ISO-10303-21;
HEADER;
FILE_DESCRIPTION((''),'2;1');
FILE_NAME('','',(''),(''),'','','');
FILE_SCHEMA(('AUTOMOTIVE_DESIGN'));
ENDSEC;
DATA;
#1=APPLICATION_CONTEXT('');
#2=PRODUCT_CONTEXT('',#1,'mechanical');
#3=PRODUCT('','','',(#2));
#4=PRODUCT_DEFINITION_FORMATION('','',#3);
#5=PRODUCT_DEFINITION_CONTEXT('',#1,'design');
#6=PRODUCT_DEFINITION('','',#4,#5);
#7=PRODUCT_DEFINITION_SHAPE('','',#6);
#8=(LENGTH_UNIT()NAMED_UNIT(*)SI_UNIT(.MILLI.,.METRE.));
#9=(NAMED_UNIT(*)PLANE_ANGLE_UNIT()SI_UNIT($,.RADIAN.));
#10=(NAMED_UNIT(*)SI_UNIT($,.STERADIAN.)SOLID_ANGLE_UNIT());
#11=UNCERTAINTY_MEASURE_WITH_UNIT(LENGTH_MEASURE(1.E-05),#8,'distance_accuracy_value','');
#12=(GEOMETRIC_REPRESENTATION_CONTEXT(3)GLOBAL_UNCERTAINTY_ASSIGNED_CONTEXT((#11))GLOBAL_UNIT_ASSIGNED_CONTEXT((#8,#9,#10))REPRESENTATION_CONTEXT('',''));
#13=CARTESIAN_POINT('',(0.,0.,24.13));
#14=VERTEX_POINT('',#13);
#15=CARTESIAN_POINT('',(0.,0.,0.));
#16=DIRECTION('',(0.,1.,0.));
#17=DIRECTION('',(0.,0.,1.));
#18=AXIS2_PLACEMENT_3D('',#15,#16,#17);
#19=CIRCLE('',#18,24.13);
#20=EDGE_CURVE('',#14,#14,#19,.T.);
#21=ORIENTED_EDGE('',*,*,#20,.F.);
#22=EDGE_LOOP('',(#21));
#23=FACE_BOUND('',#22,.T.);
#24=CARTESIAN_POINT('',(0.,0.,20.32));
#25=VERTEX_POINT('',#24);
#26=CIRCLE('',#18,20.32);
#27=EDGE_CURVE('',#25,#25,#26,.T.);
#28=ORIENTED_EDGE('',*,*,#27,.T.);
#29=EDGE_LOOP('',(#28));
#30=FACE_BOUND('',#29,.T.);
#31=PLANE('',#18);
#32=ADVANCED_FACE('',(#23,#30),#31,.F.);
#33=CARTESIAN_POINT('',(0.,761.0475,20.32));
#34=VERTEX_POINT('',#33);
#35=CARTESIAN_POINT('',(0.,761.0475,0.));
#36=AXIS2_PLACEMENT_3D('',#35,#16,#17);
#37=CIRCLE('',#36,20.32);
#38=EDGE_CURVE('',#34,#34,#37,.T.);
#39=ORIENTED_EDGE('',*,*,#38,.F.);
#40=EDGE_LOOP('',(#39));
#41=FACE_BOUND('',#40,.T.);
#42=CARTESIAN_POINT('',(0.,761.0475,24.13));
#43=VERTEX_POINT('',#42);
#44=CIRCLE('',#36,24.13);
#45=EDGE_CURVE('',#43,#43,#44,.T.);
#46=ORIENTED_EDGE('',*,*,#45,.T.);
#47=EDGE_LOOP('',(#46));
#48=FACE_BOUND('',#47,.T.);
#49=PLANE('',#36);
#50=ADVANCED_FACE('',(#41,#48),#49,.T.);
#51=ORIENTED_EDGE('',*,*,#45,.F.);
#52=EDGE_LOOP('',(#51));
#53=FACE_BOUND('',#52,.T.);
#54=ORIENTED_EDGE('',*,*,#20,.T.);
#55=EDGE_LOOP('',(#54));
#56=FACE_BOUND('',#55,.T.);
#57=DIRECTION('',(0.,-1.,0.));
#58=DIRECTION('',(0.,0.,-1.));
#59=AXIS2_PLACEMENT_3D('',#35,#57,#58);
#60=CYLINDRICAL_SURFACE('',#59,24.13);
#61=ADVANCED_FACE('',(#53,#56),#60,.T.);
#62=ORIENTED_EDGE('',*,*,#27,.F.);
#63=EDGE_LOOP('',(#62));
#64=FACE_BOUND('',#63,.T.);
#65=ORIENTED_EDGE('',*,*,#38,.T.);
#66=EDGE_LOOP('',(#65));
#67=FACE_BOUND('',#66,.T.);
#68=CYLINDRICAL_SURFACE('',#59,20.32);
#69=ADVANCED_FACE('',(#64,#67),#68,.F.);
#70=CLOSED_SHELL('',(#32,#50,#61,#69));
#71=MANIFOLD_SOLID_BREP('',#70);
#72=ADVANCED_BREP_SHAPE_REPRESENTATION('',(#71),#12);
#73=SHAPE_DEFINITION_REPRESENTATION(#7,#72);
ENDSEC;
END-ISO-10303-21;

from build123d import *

# Parameters (mm, degrees)
SKETCH1_R           = 24.13
SKETCH1_R_2         = 20.32
BOSS_EXTRUDE1_DEPTH = 761.0475


with BuildPart() as part:
    # Sketch1 → Boss-Extrude1 (new body)
    with BuildSketch(Plane(origin=(0, 0, 0), x_dir=(1, 0, 0), z_dir=(0, 1, 0))):
        Circle(SKETCH1_R)
        Circle(SKETCH1_R_2, mode=Mode.SUBTRACT)
    extrude(amount=BOSS_EXTRUDE1_DEPTH)


solid = part.part
